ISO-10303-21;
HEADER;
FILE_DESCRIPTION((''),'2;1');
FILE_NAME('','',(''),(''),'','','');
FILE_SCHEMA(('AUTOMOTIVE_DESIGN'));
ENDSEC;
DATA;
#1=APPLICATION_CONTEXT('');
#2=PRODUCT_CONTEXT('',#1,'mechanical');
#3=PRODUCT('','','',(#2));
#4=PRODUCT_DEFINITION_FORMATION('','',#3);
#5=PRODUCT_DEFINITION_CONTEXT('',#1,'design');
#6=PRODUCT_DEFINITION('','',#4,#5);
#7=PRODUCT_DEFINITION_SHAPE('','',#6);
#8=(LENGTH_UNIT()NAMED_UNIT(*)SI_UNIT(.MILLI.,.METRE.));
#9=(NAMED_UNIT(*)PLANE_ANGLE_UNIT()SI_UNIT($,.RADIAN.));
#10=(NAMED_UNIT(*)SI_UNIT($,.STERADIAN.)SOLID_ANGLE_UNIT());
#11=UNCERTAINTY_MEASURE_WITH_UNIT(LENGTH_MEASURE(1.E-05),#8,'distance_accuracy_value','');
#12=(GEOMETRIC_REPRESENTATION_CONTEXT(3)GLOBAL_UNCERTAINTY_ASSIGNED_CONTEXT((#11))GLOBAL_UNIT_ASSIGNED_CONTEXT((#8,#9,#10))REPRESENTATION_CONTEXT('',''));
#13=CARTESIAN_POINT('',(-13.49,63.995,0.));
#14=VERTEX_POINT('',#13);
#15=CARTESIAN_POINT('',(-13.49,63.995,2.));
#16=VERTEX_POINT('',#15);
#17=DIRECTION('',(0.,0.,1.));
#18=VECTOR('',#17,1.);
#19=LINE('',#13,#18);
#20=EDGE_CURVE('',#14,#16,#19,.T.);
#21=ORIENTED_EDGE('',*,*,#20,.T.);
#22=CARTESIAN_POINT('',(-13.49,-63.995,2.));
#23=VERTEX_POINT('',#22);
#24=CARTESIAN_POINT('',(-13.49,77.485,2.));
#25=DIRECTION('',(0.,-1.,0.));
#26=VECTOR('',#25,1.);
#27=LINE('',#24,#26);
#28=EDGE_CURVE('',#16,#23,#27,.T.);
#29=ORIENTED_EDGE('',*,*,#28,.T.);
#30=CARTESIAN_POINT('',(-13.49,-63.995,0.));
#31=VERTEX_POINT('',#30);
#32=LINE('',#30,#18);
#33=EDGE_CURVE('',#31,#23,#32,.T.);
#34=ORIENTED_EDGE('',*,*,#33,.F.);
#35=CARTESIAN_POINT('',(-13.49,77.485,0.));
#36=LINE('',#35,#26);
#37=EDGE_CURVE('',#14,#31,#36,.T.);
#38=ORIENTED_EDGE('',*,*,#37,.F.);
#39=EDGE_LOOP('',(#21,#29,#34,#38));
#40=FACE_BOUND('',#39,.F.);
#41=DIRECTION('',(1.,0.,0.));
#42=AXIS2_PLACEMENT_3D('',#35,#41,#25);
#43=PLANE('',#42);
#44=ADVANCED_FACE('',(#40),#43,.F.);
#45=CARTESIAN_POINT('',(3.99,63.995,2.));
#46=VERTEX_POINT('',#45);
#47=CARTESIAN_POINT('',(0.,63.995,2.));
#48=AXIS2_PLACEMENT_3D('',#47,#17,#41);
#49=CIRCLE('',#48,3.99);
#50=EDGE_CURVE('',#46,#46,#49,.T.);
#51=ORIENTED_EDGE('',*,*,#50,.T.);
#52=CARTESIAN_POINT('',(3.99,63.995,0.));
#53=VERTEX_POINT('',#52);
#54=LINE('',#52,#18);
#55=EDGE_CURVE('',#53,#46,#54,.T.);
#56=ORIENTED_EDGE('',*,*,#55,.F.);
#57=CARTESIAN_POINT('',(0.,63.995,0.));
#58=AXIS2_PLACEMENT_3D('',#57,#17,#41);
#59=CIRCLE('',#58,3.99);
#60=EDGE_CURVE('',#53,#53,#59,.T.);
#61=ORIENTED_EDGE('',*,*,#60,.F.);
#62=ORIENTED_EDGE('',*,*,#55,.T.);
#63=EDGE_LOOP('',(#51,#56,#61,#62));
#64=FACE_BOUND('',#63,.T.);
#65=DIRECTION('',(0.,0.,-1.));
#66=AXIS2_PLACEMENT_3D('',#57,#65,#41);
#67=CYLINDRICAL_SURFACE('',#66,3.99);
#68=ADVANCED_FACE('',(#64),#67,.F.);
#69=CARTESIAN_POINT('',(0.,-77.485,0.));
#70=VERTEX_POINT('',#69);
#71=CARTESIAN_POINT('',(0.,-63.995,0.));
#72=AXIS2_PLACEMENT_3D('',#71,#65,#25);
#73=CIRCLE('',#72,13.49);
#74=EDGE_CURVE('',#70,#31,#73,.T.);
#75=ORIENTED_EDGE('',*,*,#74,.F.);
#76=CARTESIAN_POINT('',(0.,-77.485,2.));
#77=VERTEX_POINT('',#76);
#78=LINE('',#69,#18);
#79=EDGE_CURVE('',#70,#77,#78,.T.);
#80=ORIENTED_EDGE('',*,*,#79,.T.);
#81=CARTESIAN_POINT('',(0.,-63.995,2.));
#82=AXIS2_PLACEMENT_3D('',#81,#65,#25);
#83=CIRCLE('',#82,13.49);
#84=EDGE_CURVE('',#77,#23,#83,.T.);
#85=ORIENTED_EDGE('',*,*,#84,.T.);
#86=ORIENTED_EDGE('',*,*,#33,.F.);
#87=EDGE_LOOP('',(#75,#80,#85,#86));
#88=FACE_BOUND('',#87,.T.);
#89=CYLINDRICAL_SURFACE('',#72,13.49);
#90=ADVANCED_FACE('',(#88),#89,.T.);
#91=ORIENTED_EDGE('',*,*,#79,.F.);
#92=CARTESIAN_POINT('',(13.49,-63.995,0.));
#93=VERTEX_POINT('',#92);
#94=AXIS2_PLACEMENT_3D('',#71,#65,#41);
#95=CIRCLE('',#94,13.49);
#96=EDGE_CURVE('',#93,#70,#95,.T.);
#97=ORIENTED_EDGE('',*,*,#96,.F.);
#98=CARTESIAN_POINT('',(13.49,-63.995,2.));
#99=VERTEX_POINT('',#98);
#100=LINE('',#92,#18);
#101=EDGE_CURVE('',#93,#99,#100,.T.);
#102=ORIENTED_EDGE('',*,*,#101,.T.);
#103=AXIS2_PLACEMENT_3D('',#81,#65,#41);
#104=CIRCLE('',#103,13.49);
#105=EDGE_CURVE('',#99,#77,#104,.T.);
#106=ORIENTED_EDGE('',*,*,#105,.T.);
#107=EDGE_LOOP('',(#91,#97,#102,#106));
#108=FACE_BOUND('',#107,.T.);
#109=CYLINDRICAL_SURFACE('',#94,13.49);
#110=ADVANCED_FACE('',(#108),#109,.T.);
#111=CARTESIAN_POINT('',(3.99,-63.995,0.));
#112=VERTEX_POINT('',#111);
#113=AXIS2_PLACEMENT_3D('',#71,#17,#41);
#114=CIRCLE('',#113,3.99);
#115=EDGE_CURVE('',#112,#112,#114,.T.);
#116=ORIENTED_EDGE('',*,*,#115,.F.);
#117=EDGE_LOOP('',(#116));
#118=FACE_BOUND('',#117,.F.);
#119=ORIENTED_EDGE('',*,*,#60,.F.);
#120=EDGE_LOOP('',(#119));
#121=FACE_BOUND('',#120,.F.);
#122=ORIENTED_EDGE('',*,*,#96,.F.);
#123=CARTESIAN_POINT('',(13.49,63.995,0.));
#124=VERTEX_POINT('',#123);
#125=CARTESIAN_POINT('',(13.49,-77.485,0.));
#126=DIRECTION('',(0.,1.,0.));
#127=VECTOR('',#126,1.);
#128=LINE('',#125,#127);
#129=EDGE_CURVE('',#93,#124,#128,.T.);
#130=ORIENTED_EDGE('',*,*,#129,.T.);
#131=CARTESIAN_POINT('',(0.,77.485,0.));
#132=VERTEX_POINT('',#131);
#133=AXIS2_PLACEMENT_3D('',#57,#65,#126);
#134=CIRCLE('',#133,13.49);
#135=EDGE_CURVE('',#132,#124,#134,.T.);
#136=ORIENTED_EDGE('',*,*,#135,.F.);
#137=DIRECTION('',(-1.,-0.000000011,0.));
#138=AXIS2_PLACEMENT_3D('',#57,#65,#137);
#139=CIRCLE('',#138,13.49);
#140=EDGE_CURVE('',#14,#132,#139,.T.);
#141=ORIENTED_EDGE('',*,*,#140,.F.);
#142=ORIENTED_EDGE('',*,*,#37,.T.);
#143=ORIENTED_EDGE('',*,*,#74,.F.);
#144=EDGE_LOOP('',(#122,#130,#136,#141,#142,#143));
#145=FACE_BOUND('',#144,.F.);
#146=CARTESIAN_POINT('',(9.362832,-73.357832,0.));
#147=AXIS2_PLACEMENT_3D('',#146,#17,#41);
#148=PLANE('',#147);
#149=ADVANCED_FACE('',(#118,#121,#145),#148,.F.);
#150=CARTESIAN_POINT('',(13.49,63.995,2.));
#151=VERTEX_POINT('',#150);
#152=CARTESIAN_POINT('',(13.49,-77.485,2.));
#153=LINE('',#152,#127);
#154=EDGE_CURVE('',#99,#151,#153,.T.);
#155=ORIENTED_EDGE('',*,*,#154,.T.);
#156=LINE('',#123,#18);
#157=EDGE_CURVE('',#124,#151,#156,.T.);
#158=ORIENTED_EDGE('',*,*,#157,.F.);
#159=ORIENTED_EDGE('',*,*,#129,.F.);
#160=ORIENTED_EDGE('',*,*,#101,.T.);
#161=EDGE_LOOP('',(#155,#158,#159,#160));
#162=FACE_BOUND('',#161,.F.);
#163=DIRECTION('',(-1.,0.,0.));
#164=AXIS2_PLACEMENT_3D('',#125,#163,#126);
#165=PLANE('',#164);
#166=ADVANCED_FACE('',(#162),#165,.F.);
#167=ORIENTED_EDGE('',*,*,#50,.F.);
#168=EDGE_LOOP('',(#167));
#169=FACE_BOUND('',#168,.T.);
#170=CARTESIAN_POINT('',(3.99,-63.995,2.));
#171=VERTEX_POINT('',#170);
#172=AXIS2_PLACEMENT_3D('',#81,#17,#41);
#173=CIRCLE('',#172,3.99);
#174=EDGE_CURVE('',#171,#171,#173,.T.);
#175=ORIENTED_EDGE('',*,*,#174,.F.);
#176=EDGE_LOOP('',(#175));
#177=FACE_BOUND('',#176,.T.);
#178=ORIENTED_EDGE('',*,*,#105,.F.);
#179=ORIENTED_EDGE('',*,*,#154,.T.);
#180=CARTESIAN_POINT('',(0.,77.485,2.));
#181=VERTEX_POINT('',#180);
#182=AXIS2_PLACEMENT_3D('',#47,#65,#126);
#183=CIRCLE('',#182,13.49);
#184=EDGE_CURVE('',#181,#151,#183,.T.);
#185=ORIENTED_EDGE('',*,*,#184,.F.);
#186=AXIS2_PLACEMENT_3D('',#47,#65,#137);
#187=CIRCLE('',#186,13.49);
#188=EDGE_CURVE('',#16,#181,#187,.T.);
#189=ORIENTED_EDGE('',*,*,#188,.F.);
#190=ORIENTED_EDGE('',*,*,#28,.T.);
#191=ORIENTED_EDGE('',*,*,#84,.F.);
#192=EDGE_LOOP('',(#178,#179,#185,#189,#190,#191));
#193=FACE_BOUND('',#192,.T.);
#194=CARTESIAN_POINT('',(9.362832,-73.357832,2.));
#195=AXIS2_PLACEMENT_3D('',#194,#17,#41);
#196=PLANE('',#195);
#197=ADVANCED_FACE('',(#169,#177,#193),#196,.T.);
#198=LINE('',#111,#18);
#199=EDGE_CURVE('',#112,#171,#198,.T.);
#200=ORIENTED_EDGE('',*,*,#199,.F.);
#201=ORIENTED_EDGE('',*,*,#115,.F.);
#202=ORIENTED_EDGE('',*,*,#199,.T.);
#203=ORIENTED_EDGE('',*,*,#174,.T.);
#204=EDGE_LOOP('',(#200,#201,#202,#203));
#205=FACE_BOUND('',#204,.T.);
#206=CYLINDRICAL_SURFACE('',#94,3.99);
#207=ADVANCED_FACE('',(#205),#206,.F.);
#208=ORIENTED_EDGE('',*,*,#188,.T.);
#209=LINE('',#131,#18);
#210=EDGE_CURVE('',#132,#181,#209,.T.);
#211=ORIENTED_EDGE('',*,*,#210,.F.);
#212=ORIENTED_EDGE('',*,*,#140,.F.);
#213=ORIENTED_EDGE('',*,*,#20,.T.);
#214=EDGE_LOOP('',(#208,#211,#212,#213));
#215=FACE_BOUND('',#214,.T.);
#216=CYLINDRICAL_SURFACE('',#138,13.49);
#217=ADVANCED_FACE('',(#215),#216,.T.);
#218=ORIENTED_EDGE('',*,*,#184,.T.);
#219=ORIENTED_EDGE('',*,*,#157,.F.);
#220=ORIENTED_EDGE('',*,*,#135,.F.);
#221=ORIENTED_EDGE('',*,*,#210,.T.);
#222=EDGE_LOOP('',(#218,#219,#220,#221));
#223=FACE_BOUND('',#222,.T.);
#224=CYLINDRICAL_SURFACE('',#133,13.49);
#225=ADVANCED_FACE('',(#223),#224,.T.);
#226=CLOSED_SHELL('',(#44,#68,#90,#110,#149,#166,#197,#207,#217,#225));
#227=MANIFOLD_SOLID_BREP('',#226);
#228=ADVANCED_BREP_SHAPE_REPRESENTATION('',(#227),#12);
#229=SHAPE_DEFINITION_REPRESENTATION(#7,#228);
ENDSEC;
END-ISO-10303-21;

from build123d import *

# Parameters (mm, degrees)
F0_R     = 3.99
F1_DEPTH = 2
F2_DEPTH = 25


with BuildPart() as f1:
    # F0 (on Top) → F1 (new body)
    with BuildSketch(Plane.XY):
        with BuildLine():
            Line((0, -77.485), (13.49, -77.485))
            Line((13.49, -77.485), (13.49, -63.995))
            ThreePointArc((13.49, -63.995), (9.5388704782, -73.5338704782), (0, -77.485))
        make_face()
        with BuildLine():
            Line((-13.49, -77.485), (0, -77.485))
            ThreePointArc((0, -77.485), (-9.5388704782, -73.5338704782), (-13.49, -63.995))
            Line((-13.49, -63.995), (-13.49, -77.485))
        make_face()
        with BuildLine():
            ThreePointArc((-13.49, -63.995), (-9.5388704782, -73.5338704782), (0, -77.485))
            ThreePointArc((0, -77.485), (9.5388704782, -73.5338704782), (13.49, -63.995))
            ThreePointArc((13.49, -63.995), (0, -50.505), (-13.49, -63.995))
        make_face()
        with Locations((0, -63.995)):
            Circle(F0_R, mode=Mode.SUBTRACT)
        with BuildLine():
            ThreePointArc((-13.49, -63.995), (0, -50.505), (13.49, -63.995))
            Line((13.49, -63.995), (13.49, 63.995))
            ThreePointArc((13.49, 63.995), (7.75e-08, 50.505), (-13.49, 63.994999845))
            Line((-13.49, 63.994999845), (-13.49, -63.995))
        make_face()
        with BuildLine():
            ThreePointArc((0, 77.485), (9.5388704782, 73.5338704782), (13.49, 63.995))
            Line((13.49, 63.995), (13.49, 77.485))
            Line((13.49, 77.485), (0, 77.485))
        make_face()
        with BuildLine():
            ThreePointArc((-13.49, 63.994999845), (7.75e-08, 50.505), (13.49, 63.995))
            ThreePointArc((13.49, 63.995), (9.5388704782, 73.5338704782), (0, 77.485))
            ThreePointArc((0, 77.485), (-9.538870533, 73.5338704234), (-13.49, 63.994999845))
        make_face()
        with Locations((0, 63.995)):
            Circle(F0_R, mode=Mode.SUBTRACT)
        with BuildLine():
            Line((-13.49, 77.485), (-13.49, 63.994999845))
            ThreePointArc((-13.49, 63.994999845), (-9.538870533, 73.5338704234), (0, 77.485))
            Line((0, 77.485), (-13.49, 77.485))
        make_face()
    extrude(amount=F1_DEPTH)

    # F0 (on Top) → F2 (cut)
    with BuildSketch(Plane.XY):
        with BuildLine():
            ThreePointArc((0, 77.485), (9.5388704782, 73.5338704782), (13.49, 63.995))
            Line((13.49, 63.995), (13.49, 77.485))
            Line((13.49, 77.485), (0, 77.485))
        make_face()
        with BuildLine():
            Line((-13.49, 77.485), (-13.49, 63.994999845))
            ThreePointArc((-13.49, 63.994999845), (-9.538870533, 73.5338704234), (0, 77.485))
            Line((0, 77.485), (-13.49, 77.485))
        make_face()
        with BuildLine():
            Line((0, -77.485), (13.49, -77.485))
            Line((13.49, -77.485), (13.49, -63.995))
            ThreePointArc((13.49, -63.995), (9.5388704782, -73.5338704782), (0, -77.485))
        make_face()
        with BuildLine():
            Line((-13.49, -77.485), (0, -77.485))
            ThreePointArc((0, -77.485), (-9.5388704782, -73.5338704782), (-13.49, -63.995))
            Line((-13.49, -63.995), (-13.49, -77.485))
        make_face()
    extrude(amount=F2_DEPTH, mode=Mode.SUBTRACT)


solid = f1.part
